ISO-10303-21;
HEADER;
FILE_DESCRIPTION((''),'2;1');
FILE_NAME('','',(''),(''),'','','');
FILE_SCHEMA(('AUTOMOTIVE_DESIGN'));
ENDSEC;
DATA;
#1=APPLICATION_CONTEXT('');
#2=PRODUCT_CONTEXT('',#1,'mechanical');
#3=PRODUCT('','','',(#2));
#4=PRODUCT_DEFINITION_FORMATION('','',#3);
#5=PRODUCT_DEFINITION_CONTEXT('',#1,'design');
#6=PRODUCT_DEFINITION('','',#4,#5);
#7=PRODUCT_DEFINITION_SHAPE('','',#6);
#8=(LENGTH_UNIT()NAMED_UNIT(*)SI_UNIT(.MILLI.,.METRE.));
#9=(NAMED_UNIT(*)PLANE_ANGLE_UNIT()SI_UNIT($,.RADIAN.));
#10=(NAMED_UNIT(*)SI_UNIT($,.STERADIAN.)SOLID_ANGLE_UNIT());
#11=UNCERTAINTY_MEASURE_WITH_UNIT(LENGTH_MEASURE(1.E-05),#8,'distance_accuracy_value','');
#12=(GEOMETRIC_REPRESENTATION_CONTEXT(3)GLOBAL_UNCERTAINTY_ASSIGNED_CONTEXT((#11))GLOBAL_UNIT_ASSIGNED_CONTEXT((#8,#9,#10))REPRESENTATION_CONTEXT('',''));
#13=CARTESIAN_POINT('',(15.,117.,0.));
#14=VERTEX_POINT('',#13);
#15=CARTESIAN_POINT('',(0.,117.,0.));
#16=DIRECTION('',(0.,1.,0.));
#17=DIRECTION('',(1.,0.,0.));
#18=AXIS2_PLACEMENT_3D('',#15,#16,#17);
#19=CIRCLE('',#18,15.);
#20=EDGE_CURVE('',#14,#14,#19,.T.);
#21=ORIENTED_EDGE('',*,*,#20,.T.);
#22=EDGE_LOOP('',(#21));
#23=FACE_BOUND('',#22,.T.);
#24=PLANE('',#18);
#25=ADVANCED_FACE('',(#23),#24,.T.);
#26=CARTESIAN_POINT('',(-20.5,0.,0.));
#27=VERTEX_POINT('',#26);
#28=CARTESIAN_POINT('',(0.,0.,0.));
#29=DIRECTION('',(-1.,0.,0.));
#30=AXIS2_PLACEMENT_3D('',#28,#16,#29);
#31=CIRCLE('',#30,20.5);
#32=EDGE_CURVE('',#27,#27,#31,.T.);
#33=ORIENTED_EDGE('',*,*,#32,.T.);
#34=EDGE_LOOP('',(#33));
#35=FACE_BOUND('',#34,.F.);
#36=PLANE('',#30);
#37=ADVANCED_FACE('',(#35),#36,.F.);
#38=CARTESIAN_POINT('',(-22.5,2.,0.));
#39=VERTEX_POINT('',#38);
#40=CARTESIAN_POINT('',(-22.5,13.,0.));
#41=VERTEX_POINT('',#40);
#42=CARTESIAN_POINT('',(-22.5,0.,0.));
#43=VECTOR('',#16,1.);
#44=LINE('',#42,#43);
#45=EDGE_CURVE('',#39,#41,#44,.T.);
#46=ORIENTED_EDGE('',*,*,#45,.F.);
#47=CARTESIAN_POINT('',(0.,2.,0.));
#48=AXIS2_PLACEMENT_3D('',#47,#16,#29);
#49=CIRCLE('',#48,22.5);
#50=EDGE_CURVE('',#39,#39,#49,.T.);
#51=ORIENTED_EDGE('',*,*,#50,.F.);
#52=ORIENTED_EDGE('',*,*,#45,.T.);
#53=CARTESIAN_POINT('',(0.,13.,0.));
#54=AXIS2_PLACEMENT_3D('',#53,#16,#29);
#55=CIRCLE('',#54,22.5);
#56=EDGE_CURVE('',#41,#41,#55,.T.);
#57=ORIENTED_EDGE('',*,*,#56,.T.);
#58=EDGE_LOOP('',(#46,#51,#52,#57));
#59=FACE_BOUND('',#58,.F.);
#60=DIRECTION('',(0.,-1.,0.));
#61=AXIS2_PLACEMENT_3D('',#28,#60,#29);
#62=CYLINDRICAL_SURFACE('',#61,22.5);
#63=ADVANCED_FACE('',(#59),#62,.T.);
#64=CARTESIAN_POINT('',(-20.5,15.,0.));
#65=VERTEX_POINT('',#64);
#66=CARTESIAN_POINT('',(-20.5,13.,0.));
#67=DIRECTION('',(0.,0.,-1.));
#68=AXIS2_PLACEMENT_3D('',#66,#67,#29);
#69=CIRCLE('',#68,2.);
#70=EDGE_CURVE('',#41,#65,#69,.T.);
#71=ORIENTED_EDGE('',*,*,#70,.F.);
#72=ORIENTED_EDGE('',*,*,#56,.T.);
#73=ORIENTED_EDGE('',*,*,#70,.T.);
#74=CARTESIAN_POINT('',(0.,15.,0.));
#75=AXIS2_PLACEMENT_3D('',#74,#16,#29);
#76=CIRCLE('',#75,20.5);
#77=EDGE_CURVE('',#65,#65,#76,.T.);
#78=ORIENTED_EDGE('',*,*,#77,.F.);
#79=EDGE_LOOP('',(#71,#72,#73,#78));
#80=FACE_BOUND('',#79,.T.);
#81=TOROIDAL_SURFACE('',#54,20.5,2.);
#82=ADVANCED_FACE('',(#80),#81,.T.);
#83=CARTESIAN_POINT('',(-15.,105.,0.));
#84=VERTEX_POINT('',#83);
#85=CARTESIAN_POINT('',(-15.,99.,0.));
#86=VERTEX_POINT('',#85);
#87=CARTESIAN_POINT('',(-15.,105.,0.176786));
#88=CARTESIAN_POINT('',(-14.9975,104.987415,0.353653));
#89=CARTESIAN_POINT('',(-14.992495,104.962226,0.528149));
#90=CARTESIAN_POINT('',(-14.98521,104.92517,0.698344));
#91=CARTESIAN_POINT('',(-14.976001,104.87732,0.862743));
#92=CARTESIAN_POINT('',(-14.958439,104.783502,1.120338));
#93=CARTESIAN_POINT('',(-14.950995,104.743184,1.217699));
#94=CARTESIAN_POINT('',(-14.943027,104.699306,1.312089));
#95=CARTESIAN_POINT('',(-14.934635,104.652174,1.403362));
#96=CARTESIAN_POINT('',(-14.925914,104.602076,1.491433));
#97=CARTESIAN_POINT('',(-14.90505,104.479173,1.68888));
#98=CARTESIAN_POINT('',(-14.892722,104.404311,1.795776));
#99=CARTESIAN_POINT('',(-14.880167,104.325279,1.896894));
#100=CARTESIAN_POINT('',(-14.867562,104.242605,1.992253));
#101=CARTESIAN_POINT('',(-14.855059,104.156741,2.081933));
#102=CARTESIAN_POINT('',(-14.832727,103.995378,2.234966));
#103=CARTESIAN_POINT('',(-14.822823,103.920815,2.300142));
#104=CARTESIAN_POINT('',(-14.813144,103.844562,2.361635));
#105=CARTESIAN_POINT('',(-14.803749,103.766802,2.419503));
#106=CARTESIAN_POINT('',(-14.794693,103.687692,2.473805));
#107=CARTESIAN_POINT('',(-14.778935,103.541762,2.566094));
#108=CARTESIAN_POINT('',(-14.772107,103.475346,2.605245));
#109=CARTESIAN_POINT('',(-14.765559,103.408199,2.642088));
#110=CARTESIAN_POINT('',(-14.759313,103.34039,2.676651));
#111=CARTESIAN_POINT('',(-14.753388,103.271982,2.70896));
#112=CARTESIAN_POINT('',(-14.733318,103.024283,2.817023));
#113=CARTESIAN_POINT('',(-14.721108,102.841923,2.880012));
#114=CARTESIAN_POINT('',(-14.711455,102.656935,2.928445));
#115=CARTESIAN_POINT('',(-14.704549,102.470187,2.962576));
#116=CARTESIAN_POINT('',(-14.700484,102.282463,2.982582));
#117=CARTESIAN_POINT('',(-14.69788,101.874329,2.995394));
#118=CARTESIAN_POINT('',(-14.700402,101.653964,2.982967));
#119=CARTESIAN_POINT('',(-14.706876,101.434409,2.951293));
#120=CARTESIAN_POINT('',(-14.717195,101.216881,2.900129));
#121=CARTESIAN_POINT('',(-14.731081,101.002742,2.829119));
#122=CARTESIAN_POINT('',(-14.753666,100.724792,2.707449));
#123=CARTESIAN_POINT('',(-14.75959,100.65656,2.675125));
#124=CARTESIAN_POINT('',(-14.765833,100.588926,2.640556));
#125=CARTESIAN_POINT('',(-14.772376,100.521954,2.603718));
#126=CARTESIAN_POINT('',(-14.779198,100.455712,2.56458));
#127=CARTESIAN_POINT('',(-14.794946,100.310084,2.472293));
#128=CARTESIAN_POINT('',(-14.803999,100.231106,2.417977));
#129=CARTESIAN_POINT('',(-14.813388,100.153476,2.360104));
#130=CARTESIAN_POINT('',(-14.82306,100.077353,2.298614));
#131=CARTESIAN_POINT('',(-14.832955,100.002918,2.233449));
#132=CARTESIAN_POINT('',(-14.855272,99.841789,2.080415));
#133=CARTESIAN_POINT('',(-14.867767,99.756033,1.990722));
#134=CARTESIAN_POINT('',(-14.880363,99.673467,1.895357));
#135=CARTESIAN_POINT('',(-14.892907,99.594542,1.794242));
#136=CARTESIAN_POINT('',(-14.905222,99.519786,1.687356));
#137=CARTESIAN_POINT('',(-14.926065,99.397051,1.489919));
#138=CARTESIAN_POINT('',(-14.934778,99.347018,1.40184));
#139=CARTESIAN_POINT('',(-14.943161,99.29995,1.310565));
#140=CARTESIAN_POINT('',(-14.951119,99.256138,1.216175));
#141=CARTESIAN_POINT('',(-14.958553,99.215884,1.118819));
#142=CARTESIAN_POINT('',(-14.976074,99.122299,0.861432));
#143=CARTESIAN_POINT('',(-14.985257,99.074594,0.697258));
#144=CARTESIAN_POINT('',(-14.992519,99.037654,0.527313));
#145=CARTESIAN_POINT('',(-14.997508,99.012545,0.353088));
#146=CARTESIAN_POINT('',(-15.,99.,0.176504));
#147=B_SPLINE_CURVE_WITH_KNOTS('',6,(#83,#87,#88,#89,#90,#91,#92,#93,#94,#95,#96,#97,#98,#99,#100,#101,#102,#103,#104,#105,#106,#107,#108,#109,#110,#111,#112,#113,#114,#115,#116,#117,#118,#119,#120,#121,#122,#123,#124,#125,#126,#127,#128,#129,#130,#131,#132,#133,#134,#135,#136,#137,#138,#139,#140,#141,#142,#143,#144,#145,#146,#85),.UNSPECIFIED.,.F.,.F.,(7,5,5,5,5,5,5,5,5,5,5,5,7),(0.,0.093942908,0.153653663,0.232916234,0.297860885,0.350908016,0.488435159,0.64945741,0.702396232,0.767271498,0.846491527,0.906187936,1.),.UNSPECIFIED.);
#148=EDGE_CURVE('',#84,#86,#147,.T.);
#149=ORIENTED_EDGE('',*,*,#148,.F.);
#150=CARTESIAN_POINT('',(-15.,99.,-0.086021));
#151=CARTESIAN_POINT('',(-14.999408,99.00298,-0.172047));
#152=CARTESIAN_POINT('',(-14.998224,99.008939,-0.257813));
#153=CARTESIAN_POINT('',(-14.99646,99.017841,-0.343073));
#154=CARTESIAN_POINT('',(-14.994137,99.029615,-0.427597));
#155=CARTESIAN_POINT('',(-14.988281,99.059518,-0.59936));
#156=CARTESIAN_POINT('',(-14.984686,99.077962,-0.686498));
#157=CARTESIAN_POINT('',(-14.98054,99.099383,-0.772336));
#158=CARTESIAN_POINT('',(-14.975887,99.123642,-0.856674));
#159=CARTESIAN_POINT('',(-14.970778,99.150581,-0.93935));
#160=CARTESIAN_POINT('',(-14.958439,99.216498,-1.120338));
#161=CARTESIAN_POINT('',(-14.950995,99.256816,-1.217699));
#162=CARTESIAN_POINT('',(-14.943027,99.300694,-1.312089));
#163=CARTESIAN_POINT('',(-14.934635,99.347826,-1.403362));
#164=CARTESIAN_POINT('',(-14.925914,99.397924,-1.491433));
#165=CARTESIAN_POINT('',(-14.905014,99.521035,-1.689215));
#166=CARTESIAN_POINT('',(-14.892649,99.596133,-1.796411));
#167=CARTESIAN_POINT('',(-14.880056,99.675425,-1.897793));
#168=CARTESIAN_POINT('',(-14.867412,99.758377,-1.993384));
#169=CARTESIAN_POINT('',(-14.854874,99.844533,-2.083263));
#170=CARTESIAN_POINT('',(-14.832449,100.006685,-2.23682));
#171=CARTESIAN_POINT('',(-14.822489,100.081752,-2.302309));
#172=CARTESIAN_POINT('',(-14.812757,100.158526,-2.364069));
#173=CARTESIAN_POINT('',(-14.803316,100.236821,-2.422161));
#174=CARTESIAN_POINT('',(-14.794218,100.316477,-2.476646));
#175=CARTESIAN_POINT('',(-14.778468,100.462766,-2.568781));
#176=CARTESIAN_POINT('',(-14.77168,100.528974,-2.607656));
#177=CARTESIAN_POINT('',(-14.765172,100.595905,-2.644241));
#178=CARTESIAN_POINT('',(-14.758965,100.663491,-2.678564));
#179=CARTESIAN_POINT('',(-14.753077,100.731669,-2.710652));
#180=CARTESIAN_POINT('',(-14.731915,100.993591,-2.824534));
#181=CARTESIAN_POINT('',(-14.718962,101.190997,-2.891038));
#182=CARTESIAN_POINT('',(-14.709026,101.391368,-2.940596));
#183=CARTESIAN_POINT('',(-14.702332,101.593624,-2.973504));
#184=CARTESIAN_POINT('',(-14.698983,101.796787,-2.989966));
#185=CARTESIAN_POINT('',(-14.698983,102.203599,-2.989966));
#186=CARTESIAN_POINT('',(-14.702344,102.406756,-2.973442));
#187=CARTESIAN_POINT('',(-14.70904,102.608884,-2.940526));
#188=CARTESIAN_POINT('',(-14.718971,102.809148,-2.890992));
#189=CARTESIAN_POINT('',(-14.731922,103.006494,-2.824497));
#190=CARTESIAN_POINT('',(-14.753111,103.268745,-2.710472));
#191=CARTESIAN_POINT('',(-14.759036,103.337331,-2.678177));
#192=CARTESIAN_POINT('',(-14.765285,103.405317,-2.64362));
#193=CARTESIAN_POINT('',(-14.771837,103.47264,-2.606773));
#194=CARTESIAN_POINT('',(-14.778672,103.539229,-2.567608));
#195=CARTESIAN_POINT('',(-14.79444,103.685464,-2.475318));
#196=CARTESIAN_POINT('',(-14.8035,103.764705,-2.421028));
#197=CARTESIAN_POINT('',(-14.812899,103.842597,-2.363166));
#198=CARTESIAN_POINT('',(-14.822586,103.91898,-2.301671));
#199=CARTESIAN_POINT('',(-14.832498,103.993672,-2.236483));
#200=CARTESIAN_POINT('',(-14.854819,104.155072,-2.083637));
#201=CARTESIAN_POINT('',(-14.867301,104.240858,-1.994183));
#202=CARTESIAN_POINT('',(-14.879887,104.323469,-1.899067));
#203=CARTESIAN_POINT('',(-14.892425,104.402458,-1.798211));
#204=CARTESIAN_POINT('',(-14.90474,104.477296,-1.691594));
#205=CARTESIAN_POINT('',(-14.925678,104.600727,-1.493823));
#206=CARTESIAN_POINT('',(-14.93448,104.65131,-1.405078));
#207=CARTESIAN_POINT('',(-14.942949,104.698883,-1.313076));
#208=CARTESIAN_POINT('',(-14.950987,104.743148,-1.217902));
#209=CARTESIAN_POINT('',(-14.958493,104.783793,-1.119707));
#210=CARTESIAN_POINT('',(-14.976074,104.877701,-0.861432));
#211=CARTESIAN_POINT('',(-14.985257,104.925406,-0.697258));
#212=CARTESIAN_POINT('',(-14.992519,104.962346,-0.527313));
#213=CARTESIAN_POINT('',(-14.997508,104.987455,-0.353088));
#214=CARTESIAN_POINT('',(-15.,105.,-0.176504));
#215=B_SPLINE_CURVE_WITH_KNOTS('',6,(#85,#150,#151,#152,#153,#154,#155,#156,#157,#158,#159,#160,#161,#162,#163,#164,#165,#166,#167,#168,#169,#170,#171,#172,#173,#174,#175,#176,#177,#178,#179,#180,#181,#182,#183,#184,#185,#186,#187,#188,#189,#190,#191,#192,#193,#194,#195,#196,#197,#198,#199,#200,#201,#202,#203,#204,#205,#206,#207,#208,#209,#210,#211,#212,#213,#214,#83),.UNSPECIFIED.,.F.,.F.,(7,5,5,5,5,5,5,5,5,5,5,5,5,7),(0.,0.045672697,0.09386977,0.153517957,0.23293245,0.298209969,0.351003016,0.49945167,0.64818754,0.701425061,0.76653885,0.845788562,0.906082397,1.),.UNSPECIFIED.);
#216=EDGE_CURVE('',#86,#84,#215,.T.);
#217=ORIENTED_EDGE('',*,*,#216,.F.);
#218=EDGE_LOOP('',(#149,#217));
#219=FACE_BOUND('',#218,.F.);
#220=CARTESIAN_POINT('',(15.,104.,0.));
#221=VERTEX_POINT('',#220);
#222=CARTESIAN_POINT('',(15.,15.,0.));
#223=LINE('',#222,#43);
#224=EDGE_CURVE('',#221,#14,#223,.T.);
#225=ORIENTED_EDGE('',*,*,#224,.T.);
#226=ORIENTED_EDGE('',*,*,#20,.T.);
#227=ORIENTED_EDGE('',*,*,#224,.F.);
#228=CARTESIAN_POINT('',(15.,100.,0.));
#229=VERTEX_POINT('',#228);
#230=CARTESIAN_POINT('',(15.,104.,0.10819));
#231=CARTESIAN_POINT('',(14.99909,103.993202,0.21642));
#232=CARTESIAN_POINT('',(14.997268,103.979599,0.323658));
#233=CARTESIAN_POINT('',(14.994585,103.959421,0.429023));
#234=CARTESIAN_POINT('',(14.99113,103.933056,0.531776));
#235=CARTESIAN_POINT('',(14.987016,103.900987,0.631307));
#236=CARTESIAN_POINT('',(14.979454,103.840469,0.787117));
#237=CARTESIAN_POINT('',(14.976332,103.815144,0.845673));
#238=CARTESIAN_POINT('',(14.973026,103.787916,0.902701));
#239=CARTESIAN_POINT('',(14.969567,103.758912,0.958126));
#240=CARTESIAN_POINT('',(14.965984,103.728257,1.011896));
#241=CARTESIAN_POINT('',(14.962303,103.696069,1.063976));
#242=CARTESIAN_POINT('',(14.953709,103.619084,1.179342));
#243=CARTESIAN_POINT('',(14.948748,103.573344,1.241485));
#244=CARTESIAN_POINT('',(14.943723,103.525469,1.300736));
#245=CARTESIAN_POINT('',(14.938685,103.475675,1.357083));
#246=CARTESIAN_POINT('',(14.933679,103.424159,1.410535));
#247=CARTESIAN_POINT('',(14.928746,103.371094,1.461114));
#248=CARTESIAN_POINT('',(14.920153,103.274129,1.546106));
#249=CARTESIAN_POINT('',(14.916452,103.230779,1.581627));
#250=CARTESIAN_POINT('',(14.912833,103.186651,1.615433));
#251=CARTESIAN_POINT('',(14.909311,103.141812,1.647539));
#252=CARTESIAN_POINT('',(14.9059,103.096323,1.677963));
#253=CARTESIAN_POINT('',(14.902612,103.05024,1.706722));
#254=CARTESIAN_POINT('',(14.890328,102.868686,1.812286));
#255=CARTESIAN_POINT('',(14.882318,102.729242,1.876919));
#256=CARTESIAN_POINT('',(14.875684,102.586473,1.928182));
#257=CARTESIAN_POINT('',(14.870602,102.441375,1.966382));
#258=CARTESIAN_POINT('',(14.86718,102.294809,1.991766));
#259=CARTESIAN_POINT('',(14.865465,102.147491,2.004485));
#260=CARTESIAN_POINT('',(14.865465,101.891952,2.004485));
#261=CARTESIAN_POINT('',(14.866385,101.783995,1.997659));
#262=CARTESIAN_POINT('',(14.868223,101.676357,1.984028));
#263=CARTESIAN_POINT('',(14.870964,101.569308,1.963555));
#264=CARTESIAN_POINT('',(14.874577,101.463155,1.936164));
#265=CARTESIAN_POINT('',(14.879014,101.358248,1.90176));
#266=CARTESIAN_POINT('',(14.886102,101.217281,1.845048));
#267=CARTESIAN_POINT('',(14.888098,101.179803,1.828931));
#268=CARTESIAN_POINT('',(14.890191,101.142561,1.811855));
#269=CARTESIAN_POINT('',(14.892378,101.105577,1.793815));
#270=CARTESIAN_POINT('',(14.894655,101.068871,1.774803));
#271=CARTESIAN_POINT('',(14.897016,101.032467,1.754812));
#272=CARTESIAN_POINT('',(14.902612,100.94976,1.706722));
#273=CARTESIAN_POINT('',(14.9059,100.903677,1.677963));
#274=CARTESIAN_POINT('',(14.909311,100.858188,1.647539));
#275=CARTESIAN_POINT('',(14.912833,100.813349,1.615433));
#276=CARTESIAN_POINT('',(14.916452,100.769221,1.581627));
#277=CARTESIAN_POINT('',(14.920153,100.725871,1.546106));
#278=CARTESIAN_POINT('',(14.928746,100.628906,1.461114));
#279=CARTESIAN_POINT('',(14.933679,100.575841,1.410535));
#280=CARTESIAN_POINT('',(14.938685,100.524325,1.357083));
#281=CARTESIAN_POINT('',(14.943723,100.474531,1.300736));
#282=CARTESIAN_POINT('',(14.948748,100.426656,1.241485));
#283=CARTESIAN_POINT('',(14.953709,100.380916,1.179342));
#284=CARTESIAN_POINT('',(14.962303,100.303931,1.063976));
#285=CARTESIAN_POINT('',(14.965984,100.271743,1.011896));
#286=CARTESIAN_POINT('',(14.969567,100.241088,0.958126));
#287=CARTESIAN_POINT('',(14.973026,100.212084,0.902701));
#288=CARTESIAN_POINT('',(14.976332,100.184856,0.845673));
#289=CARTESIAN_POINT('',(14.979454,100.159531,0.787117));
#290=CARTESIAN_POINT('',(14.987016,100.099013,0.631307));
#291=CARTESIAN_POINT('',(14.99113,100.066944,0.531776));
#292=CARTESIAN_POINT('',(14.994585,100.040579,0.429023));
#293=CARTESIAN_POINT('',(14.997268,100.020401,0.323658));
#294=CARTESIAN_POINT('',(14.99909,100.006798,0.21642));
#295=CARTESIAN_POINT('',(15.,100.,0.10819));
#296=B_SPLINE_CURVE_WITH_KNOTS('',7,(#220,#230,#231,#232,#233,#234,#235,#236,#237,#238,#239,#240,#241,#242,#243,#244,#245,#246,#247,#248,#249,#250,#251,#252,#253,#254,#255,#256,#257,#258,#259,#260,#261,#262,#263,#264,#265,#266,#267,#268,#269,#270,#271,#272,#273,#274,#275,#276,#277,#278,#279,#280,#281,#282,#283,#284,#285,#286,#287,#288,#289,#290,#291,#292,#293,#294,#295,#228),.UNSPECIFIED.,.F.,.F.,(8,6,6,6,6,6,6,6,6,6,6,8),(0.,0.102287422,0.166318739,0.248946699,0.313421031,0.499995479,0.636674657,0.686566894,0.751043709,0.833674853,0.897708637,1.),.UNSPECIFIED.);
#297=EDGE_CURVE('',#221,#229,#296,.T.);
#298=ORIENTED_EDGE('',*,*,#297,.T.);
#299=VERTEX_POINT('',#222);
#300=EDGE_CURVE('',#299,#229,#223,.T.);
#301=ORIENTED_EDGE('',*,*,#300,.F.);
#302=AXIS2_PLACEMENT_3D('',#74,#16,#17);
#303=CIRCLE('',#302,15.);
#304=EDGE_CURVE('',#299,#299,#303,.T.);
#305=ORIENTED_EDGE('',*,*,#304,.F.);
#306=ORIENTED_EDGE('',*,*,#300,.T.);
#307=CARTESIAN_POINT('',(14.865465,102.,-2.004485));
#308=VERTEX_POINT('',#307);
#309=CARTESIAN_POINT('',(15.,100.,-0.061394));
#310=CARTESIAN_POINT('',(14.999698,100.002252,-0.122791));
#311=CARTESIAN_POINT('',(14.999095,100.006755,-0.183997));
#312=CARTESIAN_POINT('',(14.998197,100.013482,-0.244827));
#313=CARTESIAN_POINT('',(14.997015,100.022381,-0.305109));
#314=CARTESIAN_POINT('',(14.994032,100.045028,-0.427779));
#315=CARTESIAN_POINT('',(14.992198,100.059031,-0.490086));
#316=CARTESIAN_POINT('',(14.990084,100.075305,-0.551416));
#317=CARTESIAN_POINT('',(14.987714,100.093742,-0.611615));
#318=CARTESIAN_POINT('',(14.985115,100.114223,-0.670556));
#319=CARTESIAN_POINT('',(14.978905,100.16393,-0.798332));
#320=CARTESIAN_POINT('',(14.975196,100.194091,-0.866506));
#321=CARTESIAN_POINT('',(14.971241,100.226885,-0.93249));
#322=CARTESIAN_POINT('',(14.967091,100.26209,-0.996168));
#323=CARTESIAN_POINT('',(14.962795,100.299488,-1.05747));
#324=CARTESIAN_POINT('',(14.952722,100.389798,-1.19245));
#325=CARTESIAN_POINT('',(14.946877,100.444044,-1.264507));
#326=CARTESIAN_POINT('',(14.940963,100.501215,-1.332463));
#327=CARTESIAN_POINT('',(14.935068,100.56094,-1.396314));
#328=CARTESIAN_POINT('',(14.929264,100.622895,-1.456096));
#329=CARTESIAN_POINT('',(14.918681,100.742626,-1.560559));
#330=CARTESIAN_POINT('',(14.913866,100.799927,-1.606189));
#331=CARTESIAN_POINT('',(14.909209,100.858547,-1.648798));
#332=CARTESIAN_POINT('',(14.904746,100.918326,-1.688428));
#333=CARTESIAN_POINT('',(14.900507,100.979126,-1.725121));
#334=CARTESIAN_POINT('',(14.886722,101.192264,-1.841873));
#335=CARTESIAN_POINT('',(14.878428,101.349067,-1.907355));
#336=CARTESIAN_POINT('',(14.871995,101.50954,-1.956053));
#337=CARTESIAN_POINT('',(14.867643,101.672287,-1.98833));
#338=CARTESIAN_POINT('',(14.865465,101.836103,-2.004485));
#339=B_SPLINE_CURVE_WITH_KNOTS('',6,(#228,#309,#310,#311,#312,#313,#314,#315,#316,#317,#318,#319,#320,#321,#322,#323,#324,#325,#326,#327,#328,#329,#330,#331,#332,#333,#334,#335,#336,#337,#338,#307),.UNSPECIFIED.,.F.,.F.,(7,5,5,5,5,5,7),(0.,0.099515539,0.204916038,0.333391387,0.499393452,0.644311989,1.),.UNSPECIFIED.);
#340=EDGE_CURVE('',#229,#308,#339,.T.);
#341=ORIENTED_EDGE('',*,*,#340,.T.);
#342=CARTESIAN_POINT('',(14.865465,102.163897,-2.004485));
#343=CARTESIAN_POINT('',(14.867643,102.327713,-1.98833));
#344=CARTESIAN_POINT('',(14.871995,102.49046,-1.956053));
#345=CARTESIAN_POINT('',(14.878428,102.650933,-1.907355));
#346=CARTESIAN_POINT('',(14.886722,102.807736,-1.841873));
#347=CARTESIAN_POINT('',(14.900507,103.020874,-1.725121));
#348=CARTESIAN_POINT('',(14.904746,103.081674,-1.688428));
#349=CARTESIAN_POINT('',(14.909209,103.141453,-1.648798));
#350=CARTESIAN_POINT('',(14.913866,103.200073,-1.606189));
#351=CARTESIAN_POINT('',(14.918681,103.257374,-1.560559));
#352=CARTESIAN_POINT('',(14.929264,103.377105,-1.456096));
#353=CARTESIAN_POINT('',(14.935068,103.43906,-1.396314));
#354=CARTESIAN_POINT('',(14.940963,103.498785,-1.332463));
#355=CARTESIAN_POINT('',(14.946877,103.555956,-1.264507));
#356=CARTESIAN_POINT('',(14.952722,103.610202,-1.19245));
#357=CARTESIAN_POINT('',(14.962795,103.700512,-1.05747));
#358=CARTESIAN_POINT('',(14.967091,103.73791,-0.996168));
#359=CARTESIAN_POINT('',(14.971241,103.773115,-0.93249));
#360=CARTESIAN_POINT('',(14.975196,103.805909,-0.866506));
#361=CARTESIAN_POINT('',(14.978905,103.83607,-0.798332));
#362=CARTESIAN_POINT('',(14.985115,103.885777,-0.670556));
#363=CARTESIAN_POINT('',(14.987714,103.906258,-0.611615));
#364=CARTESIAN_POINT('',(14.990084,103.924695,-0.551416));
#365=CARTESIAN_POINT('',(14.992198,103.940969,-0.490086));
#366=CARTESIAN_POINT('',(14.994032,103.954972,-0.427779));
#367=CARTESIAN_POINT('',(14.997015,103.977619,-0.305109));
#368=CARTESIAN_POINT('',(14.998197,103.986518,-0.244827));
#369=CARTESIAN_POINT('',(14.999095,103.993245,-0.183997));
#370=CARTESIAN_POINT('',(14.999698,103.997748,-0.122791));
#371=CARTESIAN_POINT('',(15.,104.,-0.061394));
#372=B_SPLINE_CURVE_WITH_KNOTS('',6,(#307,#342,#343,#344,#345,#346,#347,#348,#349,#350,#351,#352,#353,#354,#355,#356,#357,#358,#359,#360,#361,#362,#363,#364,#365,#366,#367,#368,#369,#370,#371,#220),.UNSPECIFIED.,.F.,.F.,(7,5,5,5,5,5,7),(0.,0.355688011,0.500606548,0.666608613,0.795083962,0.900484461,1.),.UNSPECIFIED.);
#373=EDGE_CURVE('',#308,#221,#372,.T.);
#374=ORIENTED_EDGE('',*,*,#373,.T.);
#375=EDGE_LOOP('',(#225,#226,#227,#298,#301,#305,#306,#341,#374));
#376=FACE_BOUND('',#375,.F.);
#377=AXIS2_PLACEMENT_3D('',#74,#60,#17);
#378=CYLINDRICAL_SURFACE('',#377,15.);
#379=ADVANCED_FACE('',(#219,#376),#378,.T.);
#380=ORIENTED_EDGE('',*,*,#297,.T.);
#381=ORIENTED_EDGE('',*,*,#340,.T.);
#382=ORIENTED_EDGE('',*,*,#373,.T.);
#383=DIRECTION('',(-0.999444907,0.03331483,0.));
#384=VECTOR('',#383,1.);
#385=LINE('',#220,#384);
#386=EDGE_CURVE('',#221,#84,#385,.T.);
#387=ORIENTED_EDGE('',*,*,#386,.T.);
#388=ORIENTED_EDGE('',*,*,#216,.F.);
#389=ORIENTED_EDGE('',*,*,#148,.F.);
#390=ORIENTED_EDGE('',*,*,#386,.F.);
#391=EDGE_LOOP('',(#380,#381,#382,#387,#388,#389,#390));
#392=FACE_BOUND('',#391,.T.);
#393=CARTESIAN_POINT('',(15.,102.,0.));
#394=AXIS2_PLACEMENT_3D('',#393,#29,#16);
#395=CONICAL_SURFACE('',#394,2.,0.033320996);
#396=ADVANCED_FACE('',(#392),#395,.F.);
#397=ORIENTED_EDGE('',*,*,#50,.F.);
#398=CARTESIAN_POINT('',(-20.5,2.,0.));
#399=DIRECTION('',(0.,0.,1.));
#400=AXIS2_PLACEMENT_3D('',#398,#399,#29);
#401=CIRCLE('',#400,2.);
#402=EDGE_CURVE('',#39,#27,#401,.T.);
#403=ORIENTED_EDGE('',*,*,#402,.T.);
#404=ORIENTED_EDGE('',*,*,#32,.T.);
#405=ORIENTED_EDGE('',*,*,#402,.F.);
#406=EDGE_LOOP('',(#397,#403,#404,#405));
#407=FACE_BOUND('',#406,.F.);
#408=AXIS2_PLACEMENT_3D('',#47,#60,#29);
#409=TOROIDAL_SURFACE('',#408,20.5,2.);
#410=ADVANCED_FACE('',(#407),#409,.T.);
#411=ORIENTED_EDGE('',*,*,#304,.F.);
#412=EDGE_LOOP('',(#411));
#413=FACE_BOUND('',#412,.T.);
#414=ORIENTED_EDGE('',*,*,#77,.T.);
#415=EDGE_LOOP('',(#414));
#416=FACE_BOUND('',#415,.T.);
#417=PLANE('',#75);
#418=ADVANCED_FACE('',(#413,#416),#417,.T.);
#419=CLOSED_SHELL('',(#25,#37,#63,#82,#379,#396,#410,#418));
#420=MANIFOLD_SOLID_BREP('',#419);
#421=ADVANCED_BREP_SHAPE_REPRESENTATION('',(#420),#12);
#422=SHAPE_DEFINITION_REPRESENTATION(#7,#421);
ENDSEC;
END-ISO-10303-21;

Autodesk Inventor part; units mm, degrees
ref_plane "YZ Plane" through (0, 0, 0) normal (1, 0, 0) x (0, 1, 0)
ref_plane "XZ Plane" through (0, 0, 0) normal (0, 1, 0) x (-1, 0, 0)
ref_plane "XY Plane" through (0, 0, 0) normal (0, 0, 1) x (1, 0, 0)
sketch "Sketch1" plane through (0, 0, 0) normal (0, 1, 0) x (-1, 0, 0)
  circle A0 centre (0, 0) radius 22.5
  dimension "d0" = 45
extrude "Extrusion1" add sketch "Sketch1" along normal blind 15
sketch "Sketch2" plane through (0, 15, 0) normal (0, 1, 0) x (1, 0, 0)
  circle A0 centre (0, 0) radius 15
  dimension "d3" = 30
extrude "Extrusion2" add sketch "Sketch2" along normal blind 102
sketch "Sketch3" plane through (0, 0, 0) normal (0, 0, 1) x (1, 0, 0)
  line L0 (-15, 15) -> (-15, 117) projected
  line L1 (-15, 102) -> (15, 102)
  line L2 (15, 15) -> (15, 117) projected
  line L3 (15, 117) -> (-15, 117) projected
  line L4 (-15, 102) -> (-15, 105)
  line L5 (15, 102) -> (15, 104)
  line L6 (15, 104) -> (-15, 105)
  point P0 (0, 0)
  dimension "d6" = 15
  dimension "d7" = 3
  dimension "d8" = 2
revolve "Revolution1" cut sketch "Sketch3" angle 360 about axis through (-15, 102, 0) along (1, 0, 0) contours L0 L6 L2 L1
fillet "Fillet1" radius 2 2 edges at (22.5, 15, 0) (22.5, 0, 0)
properties part number "pin"
